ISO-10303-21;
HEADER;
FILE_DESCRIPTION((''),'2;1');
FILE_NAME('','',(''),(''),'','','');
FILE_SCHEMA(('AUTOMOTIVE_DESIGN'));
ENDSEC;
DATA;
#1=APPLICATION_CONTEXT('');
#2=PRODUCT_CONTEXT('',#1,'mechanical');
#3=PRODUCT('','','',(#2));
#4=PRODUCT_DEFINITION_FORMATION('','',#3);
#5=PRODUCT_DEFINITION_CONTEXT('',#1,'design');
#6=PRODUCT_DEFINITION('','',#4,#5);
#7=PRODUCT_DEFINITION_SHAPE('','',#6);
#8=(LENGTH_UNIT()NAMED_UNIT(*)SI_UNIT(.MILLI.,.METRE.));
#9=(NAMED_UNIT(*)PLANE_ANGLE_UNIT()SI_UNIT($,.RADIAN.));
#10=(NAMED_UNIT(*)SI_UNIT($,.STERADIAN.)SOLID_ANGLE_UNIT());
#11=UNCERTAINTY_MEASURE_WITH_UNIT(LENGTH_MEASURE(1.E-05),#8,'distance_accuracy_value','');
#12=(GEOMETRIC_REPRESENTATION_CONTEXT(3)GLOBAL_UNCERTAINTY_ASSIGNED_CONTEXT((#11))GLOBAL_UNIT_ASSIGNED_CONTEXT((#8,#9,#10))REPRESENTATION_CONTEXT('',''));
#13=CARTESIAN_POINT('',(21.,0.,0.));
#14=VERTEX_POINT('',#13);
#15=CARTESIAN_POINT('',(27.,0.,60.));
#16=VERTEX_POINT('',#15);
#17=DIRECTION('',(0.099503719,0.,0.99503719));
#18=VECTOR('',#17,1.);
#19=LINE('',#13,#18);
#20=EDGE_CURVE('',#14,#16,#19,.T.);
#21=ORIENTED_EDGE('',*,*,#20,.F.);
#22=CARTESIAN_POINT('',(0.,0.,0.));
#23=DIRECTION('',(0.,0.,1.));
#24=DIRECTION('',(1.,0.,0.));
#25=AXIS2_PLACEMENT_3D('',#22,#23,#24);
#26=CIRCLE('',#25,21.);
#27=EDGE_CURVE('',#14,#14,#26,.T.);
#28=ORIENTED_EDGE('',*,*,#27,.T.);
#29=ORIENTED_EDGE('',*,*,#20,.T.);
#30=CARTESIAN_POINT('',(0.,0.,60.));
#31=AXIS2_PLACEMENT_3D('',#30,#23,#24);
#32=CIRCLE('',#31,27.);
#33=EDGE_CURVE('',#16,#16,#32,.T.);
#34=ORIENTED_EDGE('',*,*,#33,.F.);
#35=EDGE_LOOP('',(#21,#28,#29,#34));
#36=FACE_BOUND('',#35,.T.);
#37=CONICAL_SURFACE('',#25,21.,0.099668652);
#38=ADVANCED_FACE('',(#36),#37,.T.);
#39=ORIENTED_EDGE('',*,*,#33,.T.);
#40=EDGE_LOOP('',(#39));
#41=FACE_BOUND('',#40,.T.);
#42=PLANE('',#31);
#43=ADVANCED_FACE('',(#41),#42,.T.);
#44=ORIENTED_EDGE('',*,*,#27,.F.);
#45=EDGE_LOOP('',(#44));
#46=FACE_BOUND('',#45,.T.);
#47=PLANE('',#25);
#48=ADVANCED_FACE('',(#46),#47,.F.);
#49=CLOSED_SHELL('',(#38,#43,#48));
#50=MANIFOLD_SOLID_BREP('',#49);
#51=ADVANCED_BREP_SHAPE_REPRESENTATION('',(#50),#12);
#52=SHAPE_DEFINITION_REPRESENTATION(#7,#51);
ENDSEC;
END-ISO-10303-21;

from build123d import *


with BuildPart() as part:
    # Sketch → Revolution (revolve)
    with BuildSketch(Plane.XZ):
        Polygon((0, 0), (21, 0), (27, 60), (0, 60), align=None)
    revolve(axis=Axis((0, 0, 0), (0, 0, 1)))


solid = part.part
